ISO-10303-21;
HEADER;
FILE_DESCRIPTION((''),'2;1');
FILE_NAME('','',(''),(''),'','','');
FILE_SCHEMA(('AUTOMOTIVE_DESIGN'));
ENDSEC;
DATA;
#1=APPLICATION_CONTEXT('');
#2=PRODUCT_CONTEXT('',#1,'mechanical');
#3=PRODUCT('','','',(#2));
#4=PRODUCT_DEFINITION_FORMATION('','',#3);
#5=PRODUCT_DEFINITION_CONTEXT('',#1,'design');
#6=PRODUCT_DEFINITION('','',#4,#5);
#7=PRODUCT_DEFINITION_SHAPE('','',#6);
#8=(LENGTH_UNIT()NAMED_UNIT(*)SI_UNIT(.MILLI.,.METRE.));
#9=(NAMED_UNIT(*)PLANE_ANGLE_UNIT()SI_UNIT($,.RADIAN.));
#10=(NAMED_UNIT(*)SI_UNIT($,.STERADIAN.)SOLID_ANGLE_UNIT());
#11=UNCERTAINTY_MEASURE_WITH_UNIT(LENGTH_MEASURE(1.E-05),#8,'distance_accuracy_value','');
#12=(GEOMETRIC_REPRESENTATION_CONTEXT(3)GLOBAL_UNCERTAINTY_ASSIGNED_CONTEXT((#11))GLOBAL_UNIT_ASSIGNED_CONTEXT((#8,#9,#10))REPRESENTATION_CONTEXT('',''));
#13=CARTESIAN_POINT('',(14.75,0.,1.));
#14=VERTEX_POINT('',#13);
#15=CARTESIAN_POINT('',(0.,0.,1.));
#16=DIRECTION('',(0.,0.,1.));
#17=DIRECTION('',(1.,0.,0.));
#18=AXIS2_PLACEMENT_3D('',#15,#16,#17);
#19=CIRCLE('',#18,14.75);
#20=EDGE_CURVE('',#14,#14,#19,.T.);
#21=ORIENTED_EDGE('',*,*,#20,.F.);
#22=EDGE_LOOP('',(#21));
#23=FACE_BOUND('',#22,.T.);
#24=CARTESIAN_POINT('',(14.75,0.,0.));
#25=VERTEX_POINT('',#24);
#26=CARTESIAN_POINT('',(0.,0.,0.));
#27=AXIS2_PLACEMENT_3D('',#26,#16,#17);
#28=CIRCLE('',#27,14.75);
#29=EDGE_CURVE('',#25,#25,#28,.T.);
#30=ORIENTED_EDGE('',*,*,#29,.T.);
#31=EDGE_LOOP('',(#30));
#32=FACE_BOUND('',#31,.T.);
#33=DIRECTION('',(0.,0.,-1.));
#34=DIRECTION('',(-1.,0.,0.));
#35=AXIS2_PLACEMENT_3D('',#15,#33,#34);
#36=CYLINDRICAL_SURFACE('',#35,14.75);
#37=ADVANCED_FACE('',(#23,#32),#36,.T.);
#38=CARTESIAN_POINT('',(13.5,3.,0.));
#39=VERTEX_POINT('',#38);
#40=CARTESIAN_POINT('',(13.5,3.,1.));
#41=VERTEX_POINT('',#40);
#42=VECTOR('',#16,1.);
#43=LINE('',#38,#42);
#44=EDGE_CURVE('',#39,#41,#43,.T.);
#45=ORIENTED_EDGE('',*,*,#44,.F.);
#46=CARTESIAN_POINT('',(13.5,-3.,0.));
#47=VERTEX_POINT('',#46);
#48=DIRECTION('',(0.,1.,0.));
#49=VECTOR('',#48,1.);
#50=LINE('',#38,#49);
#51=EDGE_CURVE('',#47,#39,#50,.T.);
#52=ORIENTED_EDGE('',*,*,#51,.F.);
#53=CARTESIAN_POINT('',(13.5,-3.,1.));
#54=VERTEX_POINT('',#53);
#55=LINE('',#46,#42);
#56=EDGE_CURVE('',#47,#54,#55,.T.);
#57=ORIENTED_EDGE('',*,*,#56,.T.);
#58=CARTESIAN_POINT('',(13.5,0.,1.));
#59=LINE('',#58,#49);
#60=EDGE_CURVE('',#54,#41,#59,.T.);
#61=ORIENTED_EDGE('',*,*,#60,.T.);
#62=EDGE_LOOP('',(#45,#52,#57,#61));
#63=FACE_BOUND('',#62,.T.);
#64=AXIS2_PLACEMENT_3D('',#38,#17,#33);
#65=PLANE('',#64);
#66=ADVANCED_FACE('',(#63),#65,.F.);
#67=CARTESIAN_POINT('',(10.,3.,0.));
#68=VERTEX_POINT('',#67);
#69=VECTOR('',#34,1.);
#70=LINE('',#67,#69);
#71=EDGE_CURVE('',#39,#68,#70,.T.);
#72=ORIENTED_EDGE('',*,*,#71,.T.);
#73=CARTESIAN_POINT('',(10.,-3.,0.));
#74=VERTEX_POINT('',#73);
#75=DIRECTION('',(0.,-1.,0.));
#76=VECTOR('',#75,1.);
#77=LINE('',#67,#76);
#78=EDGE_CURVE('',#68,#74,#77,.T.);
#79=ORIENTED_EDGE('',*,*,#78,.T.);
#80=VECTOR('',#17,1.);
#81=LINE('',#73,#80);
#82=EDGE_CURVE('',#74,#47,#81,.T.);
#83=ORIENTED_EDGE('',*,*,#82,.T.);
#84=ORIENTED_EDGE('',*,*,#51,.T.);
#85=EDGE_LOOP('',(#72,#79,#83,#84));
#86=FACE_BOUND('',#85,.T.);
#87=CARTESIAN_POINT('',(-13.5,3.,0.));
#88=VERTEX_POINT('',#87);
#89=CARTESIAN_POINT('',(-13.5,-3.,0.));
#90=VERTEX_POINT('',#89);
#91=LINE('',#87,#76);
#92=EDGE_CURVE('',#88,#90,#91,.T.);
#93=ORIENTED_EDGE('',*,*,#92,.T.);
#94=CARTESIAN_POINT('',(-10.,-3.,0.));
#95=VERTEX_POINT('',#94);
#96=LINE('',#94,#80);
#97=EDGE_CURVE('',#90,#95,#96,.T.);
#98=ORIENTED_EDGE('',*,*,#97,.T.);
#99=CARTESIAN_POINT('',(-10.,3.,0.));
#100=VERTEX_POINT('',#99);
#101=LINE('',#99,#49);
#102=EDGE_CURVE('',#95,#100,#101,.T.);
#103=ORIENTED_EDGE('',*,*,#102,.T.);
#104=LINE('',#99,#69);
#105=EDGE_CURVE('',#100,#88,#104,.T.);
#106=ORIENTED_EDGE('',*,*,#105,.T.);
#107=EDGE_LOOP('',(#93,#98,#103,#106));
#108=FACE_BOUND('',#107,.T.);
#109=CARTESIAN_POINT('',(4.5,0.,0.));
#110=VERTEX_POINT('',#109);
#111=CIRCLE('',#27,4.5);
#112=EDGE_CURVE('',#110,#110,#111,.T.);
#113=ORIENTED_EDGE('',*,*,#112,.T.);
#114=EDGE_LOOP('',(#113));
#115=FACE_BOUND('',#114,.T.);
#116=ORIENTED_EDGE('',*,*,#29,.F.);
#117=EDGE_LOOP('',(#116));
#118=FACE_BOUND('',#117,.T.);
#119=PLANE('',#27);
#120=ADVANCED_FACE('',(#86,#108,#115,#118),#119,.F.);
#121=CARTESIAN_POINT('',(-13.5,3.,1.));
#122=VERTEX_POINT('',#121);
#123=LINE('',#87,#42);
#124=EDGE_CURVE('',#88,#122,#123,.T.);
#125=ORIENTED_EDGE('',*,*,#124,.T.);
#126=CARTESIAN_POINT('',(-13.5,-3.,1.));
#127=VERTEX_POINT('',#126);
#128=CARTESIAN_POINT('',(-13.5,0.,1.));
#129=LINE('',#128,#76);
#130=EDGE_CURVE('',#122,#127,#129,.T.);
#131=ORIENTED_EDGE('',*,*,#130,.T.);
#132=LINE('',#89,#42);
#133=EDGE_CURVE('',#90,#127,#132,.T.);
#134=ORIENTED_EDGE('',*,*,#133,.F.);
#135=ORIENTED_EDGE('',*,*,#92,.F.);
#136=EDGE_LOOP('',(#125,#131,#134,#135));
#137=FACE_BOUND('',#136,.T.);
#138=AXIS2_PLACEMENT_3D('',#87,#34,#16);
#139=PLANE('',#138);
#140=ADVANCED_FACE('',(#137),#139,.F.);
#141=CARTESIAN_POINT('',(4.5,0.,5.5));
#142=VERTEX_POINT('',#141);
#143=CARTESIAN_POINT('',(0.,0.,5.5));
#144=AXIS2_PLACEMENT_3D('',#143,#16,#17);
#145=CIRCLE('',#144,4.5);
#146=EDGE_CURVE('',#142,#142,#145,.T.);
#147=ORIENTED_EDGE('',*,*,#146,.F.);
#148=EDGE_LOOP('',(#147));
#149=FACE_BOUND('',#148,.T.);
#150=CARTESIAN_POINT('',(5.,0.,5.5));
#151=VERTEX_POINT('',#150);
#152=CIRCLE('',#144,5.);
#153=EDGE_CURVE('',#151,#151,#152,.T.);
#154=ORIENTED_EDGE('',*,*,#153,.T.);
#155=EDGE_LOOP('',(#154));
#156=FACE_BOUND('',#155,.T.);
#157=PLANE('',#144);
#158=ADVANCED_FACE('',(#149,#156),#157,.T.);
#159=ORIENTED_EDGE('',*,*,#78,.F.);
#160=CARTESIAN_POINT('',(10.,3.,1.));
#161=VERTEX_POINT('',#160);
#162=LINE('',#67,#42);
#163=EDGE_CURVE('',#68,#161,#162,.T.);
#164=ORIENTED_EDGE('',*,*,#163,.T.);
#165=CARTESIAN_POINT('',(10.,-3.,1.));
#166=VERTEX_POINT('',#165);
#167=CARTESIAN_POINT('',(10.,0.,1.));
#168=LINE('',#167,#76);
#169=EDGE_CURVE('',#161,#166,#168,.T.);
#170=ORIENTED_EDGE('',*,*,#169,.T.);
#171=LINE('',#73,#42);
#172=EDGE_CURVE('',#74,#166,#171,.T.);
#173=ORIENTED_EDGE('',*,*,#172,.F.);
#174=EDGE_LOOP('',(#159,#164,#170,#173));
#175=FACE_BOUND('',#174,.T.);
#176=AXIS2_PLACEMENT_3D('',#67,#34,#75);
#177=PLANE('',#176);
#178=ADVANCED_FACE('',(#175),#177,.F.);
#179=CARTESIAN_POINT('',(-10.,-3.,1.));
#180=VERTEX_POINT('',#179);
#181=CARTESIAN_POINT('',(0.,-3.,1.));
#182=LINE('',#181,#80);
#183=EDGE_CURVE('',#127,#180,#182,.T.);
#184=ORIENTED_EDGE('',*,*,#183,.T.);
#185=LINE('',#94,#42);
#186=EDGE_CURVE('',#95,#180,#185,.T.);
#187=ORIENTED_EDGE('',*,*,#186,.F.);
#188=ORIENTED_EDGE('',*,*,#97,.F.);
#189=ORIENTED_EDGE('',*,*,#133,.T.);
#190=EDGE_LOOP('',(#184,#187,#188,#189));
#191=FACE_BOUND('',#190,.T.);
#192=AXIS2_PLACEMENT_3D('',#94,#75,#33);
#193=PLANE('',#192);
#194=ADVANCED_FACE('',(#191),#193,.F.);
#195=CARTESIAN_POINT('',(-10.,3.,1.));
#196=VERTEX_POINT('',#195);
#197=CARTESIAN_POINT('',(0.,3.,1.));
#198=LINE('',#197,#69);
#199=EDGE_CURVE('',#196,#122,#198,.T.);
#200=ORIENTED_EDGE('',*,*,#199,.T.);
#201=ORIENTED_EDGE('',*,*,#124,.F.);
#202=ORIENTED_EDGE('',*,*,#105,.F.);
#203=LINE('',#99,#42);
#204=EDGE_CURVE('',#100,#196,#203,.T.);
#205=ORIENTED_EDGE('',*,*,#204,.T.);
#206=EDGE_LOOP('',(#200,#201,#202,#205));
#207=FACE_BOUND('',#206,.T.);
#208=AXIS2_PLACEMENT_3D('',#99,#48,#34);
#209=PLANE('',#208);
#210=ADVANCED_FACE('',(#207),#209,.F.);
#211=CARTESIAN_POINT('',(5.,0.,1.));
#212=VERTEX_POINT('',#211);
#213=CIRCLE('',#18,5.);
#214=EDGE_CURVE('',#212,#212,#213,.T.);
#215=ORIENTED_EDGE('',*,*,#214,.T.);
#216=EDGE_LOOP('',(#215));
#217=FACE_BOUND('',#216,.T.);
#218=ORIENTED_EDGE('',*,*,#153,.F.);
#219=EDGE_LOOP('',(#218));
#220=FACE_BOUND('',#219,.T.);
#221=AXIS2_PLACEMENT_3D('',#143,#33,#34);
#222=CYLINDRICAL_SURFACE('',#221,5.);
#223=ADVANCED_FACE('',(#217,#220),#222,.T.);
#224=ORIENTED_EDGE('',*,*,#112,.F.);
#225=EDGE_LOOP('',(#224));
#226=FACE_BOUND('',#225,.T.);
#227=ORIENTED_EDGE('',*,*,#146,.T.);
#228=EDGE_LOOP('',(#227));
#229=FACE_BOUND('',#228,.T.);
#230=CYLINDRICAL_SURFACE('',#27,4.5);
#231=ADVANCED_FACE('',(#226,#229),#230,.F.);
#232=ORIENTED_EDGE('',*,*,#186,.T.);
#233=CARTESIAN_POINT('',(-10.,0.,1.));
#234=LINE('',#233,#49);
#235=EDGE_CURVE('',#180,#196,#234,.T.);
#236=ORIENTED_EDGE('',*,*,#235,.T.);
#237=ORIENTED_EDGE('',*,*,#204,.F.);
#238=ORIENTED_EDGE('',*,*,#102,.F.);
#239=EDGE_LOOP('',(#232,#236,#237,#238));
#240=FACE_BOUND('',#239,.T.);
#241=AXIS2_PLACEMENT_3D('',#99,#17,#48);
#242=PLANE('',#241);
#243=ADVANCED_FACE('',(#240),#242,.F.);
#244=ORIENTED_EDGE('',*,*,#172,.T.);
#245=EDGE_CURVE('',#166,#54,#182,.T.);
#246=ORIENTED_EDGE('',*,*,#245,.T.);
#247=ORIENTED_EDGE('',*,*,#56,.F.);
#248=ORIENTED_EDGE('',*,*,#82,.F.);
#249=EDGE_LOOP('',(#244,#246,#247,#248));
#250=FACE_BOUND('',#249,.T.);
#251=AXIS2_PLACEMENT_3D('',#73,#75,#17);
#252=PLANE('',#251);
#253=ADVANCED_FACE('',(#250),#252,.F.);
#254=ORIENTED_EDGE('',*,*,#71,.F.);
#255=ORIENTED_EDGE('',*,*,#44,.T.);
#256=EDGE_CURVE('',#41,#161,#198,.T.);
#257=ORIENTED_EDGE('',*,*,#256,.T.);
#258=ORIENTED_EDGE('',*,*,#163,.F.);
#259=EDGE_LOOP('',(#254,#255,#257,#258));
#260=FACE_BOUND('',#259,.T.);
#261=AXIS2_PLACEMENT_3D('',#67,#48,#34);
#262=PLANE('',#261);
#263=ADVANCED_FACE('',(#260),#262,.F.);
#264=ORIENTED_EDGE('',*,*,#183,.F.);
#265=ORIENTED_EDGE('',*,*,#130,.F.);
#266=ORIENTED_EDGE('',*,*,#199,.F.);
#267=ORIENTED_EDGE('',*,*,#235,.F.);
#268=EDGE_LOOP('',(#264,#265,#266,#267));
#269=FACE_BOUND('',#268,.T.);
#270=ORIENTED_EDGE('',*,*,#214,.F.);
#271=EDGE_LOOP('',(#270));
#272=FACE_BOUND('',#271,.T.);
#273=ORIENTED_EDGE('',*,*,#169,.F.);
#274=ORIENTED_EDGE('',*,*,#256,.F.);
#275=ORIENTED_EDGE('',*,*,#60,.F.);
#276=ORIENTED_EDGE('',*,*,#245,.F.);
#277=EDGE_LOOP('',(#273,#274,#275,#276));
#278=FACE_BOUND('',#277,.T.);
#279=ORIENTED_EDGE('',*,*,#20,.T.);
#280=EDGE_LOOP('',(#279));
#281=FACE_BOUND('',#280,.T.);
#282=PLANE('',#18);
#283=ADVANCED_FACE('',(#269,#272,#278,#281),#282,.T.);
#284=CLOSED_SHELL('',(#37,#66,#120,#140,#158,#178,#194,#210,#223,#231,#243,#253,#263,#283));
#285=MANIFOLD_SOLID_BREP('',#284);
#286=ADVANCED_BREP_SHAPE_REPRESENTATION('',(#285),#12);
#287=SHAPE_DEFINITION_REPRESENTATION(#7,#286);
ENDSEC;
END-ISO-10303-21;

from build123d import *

# Parameters (mm, degrees)
SKETCH1_R           = 14.75
BOSS_EXTRUDE1_DEPTH = 1
SKETCH2_R           = 5
BOSS_EXTRUDE2_DEPTH = 4.5
SKETCH3_R           = 4.5
SKETCH3_W           = 3.5
SKETCH3_H           = 6
CUT_EXTRUDE1_DEPTH  = 6.5


with BuildPart() as part:
    # Sketch1 → Boss-Extrude1 (new body)
    with BuildSketch(Plane.XY):
        Circle(SKETCH1_R)
    extrude(amount=BOSS_EXTRUDE1_DEPTH)

    # Sketch2 → Boss-Extrude2 (add)
    with BuildSketch(Plane.XY.offset(1)):
        Circle(SKETCH2_R)
    extrude(amount=BOSS_EXTRUDE2_DEPTH)

    # Sketch3 → Cut-Extrude1 (cut, through all)
    with BuildSketch(Plane.XY.offset(5.5)):
        Circle(SKETCH3_R)
        with Locations((-11.75, 0)):
            Rectangle(SKETCH3_W, SKETCH3_H)
        with Locations((11.75, 0)):
            Rectangle(SKETCH3_W, SKETCH3_H)
    extrude(amount=-CUT_EXTRUDE1_DEPTH, mode=Mode.SUBTRACT)


solid = part.part
